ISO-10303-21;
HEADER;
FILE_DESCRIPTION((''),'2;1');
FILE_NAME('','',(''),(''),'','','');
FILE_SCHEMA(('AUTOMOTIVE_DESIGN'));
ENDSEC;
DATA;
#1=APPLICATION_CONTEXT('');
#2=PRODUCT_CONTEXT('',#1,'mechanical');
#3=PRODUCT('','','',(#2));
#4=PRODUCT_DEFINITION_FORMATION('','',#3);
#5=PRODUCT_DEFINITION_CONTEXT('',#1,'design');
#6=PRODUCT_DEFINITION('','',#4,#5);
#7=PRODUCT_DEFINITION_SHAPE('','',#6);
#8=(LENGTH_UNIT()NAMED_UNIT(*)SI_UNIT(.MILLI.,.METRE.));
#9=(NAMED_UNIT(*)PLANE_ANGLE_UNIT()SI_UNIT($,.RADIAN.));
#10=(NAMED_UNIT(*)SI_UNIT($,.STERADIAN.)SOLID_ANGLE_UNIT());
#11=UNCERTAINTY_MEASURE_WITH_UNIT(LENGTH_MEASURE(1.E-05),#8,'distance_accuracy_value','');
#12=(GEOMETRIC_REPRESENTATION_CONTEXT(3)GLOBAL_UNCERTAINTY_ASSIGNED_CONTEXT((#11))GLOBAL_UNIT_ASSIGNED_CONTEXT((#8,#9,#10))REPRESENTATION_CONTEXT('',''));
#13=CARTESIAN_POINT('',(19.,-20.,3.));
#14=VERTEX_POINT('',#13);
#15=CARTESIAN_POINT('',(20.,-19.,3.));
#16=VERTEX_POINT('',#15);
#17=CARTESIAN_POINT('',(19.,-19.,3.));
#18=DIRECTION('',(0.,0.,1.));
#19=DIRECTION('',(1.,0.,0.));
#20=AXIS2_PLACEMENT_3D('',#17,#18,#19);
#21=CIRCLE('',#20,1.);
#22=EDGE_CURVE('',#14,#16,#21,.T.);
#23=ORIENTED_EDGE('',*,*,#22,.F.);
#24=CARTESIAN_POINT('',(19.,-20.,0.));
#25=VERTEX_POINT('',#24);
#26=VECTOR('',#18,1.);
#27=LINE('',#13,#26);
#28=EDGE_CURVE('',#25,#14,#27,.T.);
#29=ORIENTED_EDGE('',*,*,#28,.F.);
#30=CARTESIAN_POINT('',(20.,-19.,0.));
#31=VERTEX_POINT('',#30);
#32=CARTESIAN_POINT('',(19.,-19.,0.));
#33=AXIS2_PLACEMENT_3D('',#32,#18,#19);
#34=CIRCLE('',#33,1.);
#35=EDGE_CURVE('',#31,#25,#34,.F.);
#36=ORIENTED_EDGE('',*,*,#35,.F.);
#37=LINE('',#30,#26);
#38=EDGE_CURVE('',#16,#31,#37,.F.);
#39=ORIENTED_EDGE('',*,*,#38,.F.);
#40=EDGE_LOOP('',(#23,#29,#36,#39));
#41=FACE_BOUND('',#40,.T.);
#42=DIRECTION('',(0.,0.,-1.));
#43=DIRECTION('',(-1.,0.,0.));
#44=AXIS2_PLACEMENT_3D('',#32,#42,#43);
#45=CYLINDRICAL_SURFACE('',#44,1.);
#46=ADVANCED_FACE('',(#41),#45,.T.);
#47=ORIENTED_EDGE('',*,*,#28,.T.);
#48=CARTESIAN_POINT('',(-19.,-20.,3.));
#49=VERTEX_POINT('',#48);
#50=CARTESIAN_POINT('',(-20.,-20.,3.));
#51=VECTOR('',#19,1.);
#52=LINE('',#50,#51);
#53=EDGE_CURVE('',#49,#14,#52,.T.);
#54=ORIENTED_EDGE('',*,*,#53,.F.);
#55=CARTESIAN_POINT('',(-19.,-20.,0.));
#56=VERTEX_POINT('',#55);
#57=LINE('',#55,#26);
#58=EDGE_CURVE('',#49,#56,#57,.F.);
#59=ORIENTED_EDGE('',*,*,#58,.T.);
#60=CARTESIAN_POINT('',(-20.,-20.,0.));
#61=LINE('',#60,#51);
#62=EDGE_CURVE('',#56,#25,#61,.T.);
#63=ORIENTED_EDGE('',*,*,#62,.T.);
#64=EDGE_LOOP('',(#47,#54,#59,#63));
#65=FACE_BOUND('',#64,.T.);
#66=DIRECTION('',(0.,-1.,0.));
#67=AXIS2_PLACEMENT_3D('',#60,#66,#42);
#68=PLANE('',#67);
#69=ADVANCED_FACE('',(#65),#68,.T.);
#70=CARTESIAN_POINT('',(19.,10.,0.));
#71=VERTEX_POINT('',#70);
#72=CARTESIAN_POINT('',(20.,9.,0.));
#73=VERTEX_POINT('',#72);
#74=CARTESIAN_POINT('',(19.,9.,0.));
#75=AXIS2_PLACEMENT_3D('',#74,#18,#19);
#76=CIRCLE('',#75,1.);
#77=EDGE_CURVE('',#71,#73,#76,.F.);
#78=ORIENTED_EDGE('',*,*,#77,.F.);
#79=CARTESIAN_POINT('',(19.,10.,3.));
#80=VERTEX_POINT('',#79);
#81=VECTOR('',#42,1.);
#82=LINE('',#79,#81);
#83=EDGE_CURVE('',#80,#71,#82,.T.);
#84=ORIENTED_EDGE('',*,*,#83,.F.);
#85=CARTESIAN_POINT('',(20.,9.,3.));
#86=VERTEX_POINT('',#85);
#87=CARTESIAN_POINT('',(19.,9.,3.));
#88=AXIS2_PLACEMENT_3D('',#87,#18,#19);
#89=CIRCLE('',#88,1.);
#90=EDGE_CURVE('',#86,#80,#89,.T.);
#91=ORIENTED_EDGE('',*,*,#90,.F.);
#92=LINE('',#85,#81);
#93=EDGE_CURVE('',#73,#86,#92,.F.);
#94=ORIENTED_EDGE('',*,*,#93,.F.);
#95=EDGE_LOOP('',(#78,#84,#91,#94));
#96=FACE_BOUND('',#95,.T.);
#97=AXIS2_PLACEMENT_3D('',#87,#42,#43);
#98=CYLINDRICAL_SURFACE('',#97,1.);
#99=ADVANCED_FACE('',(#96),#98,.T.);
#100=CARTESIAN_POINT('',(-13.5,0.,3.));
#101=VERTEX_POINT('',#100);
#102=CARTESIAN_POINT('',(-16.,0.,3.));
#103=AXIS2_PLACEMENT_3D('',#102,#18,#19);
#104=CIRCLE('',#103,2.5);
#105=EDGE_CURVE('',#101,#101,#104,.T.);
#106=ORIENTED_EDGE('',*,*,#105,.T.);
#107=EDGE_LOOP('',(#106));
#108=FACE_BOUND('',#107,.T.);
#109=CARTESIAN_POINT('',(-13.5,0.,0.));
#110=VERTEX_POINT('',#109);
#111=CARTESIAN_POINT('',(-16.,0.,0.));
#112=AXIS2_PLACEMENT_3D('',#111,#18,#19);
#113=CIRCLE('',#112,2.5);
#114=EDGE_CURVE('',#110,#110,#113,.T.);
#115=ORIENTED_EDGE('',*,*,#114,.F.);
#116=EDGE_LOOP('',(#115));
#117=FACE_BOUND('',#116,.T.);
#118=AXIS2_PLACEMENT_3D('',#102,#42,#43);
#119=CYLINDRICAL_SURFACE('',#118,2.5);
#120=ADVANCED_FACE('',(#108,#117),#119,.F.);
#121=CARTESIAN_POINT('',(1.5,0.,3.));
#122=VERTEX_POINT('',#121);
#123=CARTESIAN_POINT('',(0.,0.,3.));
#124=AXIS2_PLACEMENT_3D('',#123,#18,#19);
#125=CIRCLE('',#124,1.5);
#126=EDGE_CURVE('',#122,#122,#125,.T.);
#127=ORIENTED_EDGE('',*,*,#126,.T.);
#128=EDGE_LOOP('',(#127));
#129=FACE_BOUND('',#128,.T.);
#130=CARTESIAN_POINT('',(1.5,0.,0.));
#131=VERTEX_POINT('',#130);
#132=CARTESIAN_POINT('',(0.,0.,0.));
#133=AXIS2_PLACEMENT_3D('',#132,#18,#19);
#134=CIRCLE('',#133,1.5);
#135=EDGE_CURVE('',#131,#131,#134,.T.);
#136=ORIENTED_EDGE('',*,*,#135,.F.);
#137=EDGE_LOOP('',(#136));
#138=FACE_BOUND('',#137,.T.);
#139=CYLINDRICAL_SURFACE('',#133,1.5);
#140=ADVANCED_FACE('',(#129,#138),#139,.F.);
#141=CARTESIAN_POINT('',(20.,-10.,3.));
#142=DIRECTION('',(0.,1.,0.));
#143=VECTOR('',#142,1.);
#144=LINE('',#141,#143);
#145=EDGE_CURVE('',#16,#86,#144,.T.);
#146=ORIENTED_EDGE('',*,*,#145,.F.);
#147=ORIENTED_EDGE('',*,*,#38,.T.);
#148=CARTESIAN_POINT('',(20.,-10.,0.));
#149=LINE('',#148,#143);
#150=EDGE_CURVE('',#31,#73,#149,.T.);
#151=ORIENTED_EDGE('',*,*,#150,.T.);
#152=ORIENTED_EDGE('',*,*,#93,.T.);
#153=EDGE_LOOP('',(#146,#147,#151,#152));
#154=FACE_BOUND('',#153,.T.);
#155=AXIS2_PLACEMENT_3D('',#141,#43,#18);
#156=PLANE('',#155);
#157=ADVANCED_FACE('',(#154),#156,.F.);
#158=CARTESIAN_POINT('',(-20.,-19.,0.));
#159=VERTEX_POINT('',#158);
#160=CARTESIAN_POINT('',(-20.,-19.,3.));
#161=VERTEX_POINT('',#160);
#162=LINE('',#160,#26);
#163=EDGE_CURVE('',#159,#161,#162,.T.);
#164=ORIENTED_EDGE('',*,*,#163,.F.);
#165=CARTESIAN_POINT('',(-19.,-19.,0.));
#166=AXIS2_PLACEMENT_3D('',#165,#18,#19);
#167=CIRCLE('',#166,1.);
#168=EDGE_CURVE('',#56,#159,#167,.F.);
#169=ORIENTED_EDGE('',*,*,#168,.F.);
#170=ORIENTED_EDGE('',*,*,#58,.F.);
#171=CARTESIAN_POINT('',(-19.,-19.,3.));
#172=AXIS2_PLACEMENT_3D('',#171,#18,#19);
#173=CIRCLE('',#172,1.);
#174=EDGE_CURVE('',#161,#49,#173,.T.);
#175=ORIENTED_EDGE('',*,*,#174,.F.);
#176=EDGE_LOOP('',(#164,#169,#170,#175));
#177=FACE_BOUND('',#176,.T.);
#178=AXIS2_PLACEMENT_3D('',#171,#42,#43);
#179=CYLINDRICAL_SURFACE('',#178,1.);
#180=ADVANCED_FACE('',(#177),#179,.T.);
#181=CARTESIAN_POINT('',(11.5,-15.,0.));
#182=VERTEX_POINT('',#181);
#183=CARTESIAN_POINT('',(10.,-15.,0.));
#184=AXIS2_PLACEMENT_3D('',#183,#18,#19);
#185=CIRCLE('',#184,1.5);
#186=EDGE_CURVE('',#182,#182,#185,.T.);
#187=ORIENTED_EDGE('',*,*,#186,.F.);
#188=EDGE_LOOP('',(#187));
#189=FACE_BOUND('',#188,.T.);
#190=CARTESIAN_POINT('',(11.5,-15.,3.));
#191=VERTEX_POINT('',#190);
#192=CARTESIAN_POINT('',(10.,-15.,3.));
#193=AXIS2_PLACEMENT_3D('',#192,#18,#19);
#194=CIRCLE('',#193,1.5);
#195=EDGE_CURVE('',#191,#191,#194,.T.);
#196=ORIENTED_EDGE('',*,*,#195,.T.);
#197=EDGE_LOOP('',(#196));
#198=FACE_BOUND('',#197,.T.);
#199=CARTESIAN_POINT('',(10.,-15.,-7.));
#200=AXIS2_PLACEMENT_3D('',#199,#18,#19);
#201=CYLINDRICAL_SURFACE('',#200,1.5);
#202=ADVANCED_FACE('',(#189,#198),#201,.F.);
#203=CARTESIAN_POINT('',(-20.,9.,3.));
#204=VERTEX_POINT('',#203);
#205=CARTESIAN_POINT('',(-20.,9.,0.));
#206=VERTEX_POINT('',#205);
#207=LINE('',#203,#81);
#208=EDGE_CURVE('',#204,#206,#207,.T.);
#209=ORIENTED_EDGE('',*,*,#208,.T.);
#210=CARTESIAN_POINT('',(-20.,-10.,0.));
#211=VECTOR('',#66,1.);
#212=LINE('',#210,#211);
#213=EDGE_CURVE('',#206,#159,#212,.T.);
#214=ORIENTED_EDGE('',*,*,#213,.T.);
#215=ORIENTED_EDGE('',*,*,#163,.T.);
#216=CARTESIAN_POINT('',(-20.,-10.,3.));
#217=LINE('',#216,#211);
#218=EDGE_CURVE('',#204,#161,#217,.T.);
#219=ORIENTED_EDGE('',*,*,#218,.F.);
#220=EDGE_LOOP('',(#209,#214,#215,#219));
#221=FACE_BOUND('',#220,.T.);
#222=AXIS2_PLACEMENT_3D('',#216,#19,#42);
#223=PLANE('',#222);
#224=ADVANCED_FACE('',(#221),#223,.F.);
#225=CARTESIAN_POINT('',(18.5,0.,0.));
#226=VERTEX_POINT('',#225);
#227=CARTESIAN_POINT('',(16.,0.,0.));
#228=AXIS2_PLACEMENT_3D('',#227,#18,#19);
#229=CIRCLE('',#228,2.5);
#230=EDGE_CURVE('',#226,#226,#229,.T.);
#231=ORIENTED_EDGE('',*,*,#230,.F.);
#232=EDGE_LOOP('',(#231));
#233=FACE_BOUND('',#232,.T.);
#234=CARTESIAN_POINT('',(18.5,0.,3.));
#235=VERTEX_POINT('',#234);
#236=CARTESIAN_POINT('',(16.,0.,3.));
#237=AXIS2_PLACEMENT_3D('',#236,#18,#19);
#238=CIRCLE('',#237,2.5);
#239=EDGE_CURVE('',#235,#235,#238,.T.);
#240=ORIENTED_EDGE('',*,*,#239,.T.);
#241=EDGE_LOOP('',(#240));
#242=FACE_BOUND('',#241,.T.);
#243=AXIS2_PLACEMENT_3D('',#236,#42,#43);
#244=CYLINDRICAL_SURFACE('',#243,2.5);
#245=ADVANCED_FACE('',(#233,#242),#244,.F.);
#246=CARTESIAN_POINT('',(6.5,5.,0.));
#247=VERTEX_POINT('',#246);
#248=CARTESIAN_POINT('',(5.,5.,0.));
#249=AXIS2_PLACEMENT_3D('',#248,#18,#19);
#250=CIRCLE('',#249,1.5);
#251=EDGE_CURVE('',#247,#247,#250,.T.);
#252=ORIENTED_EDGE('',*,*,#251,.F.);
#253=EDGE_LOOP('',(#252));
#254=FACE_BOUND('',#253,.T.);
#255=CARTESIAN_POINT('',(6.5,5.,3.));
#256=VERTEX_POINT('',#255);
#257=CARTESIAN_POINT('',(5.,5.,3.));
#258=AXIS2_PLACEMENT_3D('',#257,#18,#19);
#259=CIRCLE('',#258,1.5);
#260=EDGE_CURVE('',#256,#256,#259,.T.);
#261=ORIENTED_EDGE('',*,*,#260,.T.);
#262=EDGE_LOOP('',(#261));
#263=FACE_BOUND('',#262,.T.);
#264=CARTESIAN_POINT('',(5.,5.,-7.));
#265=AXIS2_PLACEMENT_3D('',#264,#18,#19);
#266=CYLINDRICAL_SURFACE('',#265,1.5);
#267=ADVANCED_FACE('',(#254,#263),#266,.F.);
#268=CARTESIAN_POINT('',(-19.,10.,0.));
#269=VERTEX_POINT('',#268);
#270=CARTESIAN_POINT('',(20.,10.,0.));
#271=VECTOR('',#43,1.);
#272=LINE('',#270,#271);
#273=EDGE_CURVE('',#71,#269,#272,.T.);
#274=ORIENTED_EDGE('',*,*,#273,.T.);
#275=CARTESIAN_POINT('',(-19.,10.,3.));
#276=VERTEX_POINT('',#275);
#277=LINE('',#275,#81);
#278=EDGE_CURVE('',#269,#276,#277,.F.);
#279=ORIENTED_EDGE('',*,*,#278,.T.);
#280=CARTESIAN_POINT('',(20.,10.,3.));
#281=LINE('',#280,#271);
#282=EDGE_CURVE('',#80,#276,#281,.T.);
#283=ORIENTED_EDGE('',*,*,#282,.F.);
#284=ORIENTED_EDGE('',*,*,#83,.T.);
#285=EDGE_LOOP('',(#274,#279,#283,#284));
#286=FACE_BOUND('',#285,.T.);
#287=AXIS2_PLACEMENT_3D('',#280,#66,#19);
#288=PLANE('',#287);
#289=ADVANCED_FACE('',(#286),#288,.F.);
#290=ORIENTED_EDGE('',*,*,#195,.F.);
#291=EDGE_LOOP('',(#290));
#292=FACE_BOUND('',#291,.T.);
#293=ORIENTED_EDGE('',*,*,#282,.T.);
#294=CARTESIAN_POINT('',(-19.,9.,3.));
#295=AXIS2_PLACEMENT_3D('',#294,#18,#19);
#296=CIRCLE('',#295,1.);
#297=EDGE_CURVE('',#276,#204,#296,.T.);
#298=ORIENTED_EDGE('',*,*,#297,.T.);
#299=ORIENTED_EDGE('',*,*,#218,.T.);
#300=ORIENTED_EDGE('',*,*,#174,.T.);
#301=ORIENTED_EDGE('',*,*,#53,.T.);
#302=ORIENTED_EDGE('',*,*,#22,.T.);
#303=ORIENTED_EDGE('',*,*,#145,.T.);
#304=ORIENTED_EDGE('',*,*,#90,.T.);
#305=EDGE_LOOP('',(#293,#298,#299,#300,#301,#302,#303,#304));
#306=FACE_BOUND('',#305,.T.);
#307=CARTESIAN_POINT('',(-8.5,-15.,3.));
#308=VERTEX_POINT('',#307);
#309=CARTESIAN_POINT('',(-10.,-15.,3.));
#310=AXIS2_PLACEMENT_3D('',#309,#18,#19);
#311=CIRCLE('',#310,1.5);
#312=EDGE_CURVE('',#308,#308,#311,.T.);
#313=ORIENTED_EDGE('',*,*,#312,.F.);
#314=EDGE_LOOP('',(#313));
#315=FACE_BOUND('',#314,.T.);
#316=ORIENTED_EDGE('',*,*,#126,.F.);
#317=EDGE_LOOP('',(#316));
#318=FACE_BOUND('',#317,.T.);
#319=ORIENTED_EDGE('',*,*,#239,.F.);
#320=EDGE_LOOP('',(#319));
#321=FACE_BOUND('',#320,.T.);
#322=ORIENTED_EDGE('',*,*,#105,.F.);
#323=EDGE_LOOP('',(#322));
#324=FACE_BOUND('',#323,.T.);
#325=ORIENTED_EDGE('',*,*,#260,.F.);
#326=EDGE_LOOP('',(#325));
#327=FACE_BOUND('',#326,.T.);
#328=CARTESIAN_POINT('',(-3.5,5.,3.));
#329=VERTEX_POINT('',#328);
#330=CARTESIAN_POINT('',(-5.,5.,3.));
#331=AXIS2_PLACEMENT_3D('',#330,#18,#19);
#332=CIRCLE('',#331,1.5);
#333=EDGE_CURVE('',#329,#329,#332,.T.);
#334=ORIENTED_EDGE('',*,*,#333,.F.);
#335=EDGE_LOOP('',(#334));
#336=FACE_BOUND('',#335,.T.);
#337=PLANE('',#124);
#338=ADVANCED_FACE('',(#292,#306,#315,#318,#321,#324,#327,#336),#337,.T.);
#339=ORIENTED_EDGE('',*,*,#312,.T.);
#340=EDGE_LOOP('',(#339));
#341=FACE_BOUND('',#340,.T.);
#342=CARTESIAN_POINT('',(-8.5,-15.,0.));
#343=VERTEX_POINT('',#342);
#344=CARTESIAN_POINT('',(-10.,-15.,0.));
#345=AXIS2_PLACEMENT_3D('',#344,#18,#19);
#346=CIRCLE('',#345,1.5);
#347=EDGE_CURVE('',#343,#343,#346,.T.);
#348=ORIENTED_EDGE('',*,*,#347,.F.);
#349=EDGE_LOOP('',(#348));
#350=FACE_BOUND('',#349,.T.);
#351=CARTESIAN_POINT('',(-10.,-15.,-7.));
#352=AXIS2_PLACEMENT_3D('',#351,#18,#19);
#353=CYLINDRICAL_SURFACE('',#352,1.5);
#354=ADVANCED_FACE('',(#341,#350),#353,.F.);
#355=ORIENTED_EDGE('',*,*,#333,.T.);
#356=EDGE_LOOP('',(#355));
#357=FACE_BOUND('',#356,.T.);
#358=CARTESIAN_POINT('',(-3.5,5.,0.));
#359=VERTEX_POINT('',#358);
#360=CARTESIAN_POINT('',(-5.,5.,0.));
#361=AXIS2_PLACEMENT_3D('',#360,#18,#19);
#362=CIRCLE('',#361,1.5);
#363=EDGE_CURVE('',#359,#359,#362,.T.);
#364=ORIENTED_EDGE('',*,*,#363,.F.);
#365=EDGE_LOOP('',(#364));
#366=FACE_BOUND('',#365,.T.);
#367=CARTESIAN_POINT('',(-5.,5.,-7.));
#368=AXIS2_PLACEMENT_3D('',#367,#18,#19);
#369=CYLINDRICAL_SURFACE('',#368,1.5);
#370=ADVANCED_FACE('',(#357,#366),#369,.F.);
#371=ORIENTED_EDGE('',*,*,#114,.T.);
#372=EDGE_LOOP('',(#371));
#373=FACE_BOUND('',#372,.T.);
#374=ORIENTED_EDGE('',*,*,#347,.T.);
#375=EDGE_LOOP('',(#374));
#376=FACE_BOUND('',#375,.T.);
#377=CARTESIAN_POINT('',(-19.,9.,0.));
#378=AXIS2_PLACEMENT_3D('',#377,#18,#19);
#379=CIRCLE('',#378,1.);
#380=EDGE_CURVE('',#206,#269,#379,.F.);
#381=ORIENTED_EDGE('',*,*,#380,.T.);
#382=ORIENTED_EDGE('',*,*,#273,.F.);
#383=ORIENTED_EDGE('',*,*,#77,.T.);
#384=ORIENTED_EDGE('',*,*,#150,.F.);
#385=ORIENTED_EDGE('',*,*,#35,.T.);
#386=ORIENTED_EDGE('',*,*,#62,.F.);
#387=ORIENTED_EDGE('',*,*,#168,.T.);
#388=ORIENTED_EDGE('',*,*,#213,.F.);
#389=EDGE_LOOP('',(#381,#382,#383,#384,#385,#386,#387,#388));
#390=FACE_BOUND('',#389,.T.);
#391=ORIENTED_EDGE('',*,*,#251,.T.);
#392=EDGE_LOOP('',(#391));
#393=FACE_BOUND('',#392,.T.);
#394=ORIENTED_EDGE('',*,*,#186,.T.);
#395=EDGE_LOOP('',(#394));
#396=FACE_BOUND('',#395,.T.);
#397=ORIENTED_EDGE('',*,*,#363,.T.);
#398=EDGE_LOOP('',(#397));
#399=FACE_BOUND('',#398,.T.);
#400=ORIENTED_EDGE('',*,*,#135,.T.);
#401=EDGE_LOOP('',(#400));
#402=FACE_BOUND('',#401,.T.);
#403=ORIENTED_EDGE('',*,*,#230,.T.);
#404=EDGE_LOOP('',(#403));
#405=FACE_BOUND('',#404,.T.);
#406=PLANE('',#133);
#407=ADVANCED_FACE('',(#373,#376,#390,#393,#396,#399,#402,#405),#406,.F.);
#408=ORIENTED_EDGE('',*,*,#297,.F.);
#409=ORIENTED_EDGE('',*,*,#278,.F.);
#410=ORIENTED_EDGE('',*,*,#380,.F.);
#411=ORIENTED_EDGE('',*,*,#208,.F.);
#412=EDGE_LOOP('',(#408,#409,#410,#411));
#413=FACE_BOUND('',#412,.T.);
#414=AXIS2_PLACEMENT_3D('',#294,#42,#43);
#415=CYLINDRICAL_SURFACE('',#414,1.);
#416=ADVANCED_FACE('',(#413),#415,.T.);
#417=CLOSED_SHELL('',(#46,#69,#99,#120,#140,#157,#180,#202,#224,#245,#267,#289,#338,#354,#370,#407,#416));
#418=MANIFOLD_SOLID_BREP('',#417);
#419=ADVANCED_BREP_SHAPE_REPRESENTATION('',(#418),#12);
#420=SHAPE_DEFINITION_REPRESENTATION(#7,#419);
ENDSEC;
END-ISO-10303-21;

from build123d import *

# Parameters (mm, degrees)
SKETCH_1_W          = 40
SKETCH_1_H          = 20
SKETCH_1_R          = 2.5
EXTRUDE_1_DEPTH     = 3
SKETCH_2_R          = 1.5
CUT_EXTRUDE_1_DEPTH = 3
SKETCH_4_W          = 40
SKETCH_4_H          = 10
EXTRUDE_2_DEPTH     = 3
SKETCH_5_R          = 1.5
CUT_EXTRUDE_2_DEPTH = 10
SKETCH_6_R          = 1.5
CUT_EXTRUDE_3_DEPTH = 10
FILLET_1_R          = 1


with BuildPart() as part:
    # 草图1 → 凸台-拉伸1 (new body)
    with BuildSketch(Plane.XY):
        Rectangle(SKETCH_1_W, SKETCH_1_H)
        with Locations((-16, 0)):
            Circle(SKETCH_1_R, mode=Mode.SUBTRACT)
        with Locations((16, 0)):
            Circle(SKETCH_1_R, mode=Mode.SUBTRACT)
    extrude(amount=EXTRUDE_1_DEPTH)

    # 草图2 → 切除-拉伸1 (cut)
    with BuildSketch(Plane.XY.offset(3)):
        Circle(SKETCH_2_R)
    extrude(amount=-CUT_EXTRUDE_1_DEPTH, mode=Mode.SUBTRACT)

    # 草图4 → 凸台-拉伸2 (add)
    with BuildSketch(Plane.XY.offset(3)):
        with Locations((0, -15)):
            Rectangle(SKETCH_4_W, SKETCH_4_H)
    extrude(amount=-EXTRUDE_2_DEPTH)

    # 草图5 → 切除-拉伸2 (cut)
    with BuildSketch(Plane.XY.offset(3)):
        with Locations((-10, -15)):
            Circle(SKETCH_5_R)
        with Locations((10, -15)):
            Circle(SKETCH_5_R)
    extrude(amount=-CUT_EXTRUDE_2_DEPTH, mode=Mode.SUBTRACT)

    # 草图6 → 切除-拉伸3 (cut)
    with BuildSketch(Plane.XY.offset(3)):
        with Locations((-5, 5)):
            Circle(SKETCH_6_R)
        with Locations((5, 5)):
            Circle(SKETCH_6_R)
    extrude(amount=-CUT_EXTRUDE_3_DEPTH, mode=Mode.SUBTRACT)

    # 圆角1
    fillet_1_edges = [part.edges().sort_by_distance(p)[0] for p in [
        (-20, -20, 1.5),
        (20, -20, 1.5),
        (-20, 10, 1.5),
        (20, 10, 1.5),
    ]]
    fillet(fillet_1_edges, radius=FILLET_1_R)


solid = part.part
